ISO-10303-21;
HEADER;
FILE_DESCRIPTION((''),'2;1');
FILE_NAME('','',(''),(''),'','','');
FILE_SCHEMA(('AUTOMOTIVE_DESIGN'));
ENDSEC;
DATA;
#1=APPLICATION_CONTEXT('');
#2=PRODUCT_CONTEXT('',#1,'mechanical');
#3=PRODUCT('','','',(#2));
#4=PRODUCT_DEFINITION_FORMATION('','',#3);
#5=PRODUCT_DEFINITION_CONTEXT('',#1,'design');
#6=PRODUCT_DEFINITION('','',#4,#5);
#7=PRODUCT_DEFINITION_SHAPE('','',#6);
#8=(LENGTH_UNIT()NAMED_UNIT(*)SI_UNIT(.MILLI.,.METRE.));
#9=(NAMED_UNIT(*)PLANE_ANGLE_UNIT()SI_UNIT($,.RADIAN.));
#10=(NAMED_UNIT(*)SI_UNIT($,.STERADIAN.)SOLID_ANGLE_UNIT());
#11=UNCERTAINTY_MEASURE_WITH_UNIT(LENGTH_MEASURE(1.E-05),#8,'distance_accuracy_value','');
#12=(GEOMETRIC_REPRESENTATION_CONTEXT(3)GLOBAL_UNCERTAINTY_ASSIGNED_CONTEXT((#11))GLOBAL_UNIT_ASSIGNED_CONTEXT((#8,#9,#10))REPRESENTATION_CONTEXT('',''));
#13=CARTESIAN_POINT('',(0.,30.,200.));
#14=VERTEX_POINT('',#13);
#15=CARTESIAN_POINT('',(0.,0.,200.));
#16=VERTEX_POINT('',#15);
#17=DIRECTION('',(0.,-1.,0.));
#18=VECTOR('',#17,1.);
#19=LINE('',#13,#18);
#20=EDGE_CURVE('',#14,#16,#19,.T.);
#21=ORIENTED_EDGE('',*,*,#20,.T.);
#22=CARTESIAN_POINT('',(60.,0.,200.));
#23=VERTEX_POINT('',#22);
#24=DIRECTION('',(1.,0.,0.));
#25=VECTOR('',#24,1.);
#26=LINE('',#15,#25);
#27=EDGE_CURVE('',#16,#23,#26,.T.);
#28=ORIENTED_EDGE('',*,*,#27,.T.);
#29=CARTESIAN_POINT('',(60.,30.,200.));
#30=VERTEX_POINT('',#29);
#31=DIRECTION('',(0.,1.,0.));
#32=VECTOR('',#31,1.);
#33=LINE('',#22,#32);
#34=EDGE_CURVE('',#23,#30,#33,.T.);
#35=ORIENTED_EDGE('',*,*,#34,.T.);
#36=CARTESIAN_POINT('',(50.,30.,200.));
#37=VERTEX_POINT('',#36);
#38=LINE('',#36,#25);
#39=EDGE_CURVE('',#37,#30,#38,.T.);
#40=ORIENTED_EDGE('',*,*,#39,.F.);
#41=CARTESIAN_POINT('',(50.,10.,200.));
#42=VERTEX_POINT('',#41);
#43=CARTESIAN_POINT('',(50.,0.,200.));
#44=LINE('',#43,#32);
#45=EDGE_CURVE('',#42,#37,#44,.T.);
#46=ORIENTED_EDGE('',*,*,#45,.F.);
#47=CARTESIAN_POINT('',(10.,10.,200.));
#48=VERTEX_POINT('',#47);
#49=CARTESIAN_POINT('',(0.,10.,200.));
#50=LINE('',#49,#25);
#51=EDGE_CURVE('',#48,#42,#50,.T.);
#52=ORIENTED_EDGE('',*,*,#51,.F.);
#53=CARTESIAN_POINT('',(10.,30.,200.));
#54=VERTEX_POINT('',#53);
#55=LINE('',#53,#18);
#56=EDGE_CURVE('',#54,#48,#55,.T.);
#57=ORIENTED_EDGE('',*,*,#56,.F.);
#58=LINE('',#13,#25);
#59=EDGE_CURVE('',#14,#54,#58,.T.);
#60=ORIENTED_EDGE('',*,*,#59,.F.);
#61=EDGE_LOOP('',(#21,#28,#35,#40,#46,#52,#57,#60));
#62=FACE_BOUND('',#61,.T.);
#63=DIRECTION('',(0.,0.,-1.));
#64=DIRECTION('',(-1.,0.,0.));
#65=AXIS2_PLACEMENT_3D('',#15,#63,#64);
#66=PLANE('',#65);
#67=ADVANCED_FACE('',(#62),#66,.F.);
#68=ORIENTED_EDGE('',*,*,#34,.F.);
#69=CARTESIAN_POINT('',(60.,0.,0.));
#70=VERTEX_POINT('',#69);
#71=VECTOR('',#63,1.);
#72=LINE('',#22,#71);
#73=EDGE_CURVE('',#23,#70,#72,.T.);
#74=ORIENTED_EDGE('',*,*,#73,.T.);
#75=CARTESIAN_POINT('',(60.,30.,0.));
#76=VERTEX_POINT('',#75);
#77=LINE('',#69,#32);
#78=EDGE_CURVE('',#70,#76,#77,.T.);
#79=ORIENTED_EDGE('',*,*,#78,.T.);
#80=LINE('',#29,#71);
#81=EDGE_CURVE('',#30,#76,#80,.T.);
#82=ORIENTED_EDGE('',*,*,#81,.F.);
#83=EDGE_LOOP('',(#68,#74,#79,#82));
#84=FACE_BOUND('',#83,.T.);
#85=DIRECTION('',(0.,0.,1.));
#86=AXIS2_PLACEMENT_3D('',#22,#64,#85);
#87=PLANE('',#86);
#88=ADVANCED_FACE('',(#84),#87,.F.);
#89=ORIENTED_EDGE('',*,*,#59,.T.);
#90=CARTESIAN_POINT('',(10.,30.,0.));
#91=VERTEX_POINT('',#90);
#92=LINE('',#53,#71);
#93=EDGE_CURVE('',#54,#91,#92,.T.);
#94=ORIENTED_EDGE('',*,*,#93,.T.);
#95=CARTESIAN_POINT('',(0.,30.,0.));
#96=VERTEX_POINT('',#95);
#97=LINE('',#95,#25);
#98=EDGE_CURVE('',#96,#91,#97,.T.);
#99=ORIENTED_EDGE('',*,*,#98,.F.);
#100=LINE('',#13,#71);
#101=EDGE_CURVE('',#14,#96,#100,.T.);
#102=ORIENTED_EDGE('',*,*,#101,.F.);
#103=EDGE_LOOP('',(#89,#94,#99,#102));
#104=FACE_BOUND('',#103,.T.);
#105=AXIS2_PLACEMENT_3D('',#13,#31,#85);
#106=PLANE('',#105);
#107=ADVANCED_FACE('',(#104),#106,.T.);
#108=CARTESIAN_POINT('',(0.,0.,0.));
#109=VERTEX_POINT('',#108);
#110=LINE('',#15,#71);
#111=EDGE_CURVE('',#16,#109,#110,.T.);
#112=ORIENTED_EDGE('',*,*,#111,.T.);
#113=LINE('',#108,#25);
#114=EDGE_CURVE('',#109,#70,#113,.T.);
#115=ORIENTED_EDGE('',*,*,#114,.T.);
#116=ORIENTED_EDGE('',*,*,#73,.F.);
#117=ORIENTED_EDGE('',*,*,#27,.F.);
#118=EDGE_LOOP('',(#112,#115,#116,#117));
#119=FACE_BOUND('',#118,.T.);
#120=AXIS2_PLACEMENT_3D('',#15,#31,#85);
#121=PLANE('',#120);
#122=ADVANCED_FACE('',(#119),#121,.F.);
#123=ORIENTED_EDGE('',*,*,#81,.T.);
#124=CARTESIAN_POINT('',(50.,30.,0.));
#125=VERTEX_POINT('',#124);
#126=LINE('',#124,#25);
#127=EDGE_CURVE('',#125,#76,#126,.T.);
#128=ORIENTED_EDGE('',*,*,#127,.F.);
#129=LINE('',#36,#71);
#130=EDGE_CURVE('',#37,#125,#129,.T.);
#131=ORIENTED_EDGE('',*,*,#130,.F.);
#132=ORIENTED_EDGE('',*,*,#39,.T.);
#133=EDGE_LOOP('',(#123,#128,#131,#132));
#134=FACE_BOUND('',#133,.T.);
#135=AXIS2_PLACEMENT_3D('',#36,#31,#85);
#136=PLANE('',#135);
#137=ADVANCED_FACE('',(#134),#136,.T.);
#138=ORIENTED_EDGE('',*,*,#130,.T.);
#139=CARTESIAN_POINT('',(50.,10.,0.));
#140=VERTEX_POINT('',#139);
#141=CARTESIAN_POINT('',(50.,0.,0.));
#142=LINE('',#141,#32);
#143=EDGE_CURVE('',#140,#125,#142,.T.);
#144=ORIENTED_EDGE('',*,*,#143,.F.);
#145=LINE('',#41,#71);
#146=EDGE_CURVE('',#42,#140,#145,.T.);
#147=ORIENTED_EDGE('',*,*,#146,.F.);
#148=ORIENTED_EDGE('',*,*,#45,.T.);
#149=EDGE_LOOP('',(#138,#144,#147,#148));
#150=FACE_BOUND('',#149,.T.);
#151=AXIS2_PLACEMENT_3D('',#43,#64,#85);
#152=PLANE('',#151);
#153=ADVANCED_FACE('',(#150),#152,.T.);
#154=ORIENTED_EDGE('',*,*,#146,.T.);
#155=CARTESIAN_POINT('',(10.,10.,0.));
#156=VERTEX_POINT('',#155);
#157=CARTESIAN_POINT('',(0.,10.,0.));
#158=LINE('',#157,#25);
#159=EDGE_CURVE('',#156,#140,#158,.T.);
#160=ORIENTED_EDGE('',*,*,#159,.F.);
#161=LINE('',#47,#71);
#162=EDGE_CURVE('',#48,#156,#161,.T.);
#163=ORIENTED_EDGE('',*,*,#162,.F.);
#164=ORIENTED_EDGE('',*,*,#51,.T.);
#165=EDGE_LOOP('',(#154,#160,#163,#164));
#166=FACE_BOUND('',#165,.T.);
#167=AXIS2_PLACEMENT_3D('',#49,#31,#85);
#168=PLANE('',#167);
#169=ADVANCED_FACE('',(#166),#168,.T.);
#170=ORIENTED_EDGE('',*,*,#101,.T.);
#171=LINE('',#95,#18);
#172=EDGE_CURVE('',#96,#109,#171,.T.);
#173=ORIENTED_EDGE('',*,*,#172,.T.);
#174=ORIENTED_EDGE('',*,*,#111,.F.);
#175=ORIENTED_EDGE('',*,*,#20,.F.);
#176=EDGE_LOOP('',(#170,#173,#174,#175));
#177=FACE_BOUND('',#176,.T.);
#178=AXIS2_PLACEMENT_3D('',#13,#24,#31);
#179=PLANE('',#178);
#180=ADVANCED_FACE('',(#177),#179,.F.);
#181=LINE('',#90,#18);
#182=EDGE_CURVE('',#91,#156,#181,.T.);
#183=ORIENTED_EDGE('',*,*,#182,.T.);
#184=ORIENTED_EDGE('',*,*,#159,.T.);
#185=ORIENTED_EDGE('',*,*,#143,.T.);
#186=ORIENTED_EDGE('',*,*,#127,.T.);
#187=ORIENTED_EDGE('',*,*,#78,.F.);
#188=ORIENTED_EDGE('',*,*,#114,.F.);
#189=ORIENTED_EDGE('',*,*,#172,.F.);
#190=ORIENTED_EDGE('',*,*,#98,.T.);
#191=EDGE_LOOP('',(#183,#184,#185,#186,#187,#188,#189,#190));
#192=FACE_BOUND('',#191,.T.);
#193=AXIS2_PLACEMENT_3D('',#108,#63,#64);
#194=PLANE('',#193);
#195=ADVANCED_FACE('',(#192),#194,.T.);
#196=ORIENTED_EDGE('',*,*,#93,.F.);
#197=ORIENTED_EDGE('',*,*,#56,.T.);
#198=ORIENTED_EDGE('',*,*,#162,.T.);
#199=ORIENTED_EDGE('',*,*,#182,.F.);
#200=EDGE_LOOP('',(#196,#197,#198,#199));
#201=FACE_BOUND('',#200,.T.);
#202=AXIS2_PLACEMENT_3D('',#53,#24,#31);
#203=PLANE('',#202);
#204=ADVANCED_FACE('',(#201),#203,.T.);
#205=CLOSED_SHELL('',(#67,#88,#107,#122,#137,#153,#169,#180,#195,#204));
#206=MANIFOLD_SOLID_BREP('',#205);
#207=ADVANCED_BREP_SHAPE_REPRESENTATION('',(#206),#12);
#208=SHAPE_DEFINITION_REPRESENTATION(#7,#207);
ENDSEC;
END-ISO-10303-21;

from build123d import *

# Parameters (mm, degrees)
EXTRUDE_THIN1_DEPTH = 200


with BuildPart() as part:
    # Sketch1 → Extrude-Thin1 (new body)
    with BuildSketch(Plane.XY):
        Polygon((0, 30), (0, 0), (60, 0), (60, 30), (50, 30), (50, 10), (10, 10), (10, 30), align=None)
    extrude(amount=EXTRUDE_THIN1_DEPTH)


solid = part.part
